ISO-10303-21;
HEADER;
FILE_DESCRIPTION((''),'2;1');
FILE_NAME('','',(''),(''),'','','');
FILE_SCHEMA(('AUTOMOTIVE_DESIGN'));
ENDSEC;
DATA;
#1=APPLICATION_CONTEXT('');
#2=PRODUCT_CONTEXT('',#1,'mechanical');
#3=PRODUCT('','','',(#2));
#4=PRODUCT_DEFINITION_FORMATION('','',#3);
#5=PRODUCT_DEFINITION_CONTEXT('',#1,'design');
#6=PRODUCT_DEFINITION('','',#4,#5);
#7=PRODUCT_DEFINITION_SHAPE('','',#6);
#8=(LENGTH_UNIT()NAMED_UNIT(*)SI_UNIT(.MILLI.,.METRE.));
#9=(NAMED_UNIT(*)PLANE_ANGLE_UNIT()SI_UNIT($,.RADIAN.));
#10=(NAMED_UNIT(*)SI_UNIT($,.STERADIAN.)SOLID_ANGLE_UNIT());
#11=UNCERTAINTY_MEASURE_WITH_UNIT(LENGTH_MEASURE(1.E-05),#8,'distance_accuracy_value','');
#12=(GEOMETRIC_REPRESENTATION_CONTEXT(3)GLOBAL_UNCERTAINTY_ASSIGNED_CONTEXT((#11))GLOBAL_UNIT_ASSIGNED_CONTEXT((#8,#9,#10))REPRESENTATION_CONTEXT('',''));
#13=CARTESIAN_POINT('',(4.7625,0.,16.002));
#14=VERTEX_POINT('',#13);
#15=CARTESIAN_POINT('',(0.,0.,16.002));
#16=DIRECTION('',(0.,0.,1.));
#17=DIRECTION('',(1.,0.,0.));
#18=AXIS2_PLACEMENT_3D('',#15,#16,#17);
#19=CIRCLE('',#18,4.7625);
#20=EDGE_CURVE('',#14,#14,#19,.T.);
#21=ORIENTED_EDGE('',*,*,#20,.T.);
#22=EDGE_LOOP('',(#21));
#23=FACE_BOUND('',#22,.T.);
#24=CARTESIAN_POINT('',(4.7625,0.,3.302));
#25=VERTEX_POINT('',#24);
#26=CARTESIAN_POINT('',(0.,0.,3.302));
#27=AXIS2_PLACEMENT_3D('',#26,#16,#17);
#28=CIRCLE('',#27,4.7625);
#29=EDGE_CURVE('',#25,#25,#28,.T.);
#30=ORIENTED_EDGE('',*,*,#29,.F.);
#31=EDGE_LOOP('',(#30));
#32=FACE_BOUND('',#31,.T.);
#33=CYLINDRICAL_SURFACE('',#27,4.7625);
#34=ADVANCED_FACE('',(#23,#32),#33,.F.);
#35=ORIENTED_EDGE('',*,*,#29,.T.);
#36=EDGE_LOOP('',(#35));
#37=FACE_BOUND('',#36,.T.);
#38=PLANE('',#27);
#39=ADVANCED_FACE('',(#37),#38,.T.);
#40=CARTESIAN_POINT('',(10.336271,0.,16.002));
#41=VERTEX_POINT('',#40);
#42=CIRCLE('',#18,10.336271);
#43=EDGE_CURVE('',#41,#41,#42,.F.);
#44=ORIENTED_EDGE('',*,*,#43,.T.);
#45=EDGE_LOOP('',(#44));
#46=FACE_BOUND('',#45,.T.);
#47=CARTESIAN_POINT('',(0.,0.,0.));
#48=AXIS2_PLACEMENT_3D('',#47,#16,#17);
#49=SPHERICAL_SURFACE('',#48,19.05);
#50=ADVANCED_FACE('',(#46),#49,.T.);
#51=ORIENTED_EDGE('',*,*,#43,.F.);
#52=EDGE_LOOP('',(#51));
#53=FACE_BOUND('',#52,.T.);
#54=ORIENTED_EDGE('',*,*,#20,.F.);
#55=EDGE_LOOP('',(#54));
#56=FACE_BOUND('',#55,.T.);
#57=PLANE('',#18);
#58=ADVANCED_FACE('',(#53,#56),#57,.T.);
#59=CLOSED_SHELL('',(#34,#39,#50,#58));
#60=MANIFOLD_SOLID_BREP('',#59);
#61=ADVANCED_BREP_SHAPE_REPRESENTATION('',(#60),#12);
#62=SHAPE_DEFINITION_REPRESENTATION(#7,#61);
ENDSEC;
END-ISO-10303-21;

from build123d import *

# Parameters (mm, degrees)
SKETCH3_W          = 37.025629418
SKETCH3_H          = 29.353652152
CUT_EXTRUDE1_DEPTH = 3.048
SKETCH4_R          = 4.7625
CUT_EXTRUDE2_DEPTH = 12.7


with BuildPart() as part:
    # Sketch1 → Revolve6 (revolve)
    with BuildSketch(Plane(origin=(0, 0, 0), x_dir=(1, 0, 0), z_dir=(0, 1, 0))):
        with BuildLine():
            Line((0, 0), (19.05, 0))
            ThreePointArc((19.05, 0), (0, -19.05), (-19.05, 0))
            Line((-19.05, 0), (0, 0))
        make_face()
    revolve(axis=Axis((-19.05, 0, 0), (1, 0, 0)))

    # Sketch3 → Cut-Extrude1 (cut)
    with BuildSketch(Plane.XY.offset(16.002)):
        Rectangle(SKETCH3_W, SKETCH3_H)
    extrude(amount=CUT_EXTRUDE1_DEPTH, mode=Mode.SUBTRACT)

    # Sketch4 → Cut-Extrude2 (cut)
    with BuildSketch(Plane.XY.offset(16.002)):
        Circle(SKETCH4_R)
    extrude(amount=-CUT_EXTRUDE2_DEPTH, mode=Mode.SUBTRACT)


solid = part.part
